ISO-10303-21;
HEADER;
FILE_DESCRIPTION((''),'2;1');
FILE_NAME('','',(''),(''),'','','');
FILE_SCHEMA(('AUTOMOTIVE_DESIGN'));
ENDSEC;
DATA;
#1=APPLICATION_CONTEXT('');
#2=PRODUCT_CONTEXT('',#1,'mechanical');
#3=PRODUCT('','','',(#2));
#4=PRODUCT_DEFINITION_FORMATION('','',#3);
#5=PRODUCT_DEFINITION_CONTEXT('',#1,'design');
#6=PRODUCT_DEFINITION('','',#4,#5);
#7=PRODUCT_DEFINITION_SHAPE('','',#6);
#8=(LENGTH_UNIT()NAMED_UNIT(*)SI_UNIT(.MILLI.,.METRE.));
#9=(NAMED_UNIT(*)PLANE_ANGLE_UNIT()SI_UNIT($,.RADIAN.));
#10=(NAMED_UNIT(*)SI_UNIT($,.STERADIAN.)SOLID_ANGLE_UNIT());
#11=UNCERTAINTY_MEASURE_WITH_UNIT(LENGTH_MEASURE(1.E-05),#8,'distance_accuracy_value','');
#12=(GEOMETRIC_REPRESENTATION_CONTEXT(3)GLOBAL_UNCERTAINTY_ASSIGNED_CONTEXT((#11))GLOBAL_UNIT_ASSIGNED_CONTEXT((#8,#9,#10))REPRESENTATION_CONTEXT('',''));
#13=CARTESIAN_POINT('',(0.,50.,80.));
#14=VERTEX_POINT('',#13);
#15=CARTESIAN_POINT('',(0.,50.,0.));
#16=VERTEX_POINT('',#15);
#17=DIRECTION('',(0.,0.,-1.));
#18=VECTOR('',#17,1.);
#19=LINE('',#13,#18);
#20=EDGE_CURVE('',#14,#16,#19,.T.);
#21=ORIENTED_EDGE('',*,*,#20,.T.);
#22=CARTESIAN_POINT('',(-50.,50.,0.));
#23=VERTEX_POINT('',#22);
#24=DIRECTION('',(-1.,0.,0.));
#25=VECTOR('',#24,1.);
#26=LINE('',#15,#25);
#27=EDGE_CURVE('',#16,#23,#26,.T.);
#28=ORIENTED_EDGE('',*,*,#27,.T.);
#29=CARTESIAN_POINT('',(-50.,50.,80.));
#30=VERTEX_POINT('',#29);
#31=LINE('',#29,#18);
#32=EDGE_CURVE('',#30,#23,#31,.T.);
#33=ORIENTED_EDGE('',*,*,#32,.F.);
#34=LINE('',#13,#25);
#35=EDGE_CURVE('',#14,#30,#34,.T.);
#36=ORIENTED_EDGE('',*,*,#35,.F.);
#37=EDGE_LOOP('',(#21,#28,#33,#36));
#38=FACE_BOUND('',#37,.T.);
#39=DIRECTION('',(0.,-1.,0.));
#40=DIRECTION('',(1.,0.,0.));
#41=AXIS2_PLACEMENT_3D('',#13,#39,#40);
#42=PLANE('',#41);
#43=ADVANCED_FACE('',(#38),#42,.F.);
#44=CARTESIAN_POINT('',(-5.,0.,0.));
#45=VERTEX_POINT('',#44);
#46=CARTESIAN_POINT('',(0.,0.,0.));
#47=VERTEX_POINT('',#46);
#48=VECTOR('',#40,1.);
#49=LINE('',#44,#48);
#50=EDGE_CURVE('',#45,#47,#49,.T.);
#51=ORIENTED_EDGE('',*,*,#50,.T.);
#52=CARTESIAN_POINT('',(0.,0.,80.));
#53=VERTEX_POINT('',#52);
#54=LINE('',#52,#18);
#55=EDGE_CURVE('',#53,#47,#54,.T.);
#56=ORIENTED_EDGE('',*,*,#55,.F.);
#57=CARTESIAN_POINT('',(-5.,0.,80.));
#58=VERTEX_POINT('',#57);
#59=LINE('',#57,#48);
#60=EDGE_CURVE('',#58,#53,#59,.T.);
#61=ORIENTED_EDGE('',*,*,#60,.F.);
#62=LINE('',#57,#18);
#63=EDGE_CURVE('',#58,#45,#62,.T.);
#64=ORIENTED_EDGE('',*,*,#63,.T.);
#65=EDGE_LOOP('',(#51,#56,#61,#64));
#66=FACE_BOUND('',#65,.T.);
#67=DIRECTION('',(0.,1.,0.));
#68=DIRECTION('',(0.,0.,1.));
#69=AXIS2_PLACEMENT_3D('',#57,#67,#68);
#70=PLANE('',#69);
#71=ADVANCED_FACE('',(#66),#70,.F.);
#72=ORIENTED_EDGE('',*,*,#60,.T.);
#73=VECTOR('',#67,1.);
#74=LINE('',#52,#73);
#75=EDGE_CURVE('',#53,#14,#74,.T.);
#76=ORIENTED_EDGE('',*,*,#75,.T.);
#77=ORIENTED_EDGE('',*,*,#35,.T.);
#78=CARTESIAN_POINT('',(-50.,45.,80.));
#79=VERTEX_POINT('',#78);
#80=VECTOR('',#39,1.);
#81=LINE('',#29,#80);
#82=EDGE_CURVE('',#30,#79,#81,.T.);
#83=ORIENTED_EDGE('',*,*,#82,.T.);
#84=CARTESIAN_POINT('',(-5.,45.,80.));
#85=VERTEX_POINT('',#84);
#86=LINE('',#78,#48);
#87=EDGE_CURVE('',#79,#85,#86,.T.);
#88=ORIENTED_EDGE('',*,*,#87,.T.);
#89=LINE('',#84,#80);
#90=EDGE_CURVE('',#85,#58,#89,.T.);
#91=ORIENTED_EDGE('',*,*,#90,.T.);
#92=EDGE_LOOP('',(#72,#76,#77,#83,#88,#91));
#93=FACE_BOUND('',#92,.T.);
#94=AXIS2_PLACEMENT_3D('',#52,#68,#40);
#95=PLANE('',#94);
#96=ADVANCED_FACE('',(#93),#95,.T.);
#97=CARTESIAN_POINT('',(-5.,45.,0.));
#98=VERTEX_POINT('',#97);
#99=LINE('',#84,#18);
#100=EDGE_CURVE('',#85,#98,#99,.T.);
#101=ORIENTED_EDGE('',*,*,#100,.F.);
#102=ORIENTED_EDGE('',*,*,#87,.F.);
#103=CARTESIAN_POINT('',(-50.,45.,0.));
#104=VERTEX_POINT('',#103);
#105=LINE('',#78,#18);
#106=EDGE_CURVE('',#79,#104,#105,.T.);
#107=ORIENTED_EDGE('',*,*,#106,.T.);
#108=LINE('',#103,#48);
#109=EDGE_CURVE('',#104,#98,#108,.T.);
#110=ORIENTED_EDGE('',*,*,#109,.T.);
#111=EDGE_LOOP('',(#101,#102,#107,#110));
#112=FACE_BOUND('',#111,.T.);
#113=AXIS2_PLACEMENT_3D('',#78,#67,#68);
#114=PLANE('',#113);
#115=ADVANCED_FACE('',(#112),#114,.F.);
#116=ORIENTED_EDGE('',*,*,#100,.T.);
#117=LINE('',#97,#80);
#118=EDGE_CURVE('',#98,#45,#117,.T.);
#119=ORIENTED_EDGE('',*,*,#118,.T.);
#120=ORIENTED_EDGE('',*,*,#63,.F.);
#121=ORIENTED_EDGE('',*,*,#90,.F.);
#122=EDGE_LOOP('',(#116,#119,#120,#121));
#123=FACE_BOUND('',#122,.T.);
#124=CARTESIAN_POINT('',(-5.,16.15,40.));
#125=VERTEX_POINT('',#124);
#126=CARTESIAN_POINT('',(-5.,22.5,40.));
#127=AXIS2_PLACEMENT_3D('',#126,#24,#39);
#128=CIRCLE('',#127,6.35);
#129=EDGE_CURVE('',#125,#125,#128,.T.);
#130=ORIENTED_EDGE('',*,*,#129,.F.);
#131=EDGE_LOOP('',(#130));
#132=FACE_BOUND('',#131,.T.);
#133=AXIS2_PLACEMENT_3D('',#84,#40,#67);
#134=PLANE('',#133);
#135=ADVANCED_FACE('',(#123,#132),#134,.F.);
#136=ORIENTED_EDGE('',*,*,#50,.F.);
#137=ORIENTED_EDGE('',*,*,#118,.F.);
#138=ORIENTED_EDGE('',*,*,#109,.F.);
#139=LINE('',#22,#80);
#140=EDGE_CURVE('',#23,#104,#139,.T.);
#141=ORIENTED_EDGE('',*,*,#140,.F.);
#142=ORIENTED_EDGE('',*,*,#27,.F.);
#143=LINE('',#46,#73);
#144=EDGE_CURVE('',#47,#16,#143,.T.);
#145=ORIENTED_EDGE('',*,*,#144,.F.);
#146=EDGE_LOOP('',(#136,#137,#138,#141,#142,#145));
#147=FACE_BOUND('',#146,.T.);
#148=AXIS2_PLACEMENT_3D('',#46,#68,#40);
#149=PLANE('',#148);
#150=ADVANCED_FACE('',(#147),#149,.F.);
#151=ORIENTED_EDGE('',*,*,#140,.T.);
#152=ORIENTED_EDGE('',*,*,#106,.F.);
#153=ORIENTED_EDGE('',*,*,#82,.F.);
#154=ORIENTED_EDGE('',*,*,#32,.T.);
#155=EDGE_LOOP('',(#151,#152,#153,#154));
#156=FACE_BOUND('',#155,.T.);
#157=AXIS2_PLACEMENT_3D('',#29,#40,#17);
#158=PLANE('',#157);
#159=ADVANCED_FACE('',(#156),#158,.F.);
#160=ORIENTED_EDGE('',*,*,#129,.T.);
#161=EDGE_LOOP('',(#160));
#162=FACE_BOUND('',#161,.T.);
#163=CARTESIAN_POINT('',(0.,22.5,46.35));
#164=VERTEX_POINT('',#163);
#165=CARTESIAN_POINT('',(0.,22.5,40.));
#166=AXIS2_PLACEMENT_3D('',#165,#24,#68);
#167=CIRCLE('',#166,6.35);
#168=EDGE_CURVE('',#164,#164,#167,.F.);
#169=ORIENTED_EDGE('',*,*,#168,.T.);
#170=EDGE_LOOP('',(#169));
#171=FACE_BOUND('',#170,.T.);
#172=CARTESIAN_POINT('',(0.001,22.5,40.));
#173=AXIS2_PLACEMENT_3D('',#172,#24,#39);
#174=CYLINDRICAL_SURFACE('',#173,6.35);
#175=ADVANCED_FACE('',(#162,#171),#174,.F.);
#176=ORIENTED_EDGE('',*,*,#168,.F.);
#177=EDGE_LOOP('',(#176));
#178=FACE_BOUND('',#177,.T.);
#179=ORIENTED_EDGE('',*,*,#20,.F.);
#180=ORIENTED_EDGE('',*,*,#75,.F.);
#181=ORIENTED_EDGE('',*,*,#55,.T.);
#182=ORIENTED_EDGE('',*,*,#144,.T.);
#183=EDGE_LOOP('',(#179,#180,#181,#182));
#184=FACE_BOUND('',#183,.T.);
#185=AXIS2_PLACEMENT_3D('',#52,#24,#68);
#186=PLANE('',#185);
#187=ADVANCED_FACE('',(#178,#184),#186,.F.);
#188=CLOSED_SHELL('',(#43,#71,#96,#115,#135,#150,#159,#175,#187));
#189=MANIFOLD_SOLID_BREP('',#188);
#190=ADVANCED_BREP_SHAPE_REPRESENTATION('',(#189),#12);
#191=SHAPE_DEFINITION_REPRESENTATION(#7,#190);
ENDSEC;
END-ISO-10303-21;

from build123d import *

# Parameters (mm, degrees)
SALIENTE_EXTRUIR1_DEPTH = 80
CORTAR_EXTRUIR1_REACH   = 106.523
CROQUIS2_R              = 6.35


with BuildPart() as part:
    # Croquis1 → Saliente-Extruir1 (new body)
    with BuildSketch(Plane.XY):
        Polygon((0, 0), (0, 50), (-50, 50), (-50, 45), (-5, 45), (-5, 0), align=None)
    extrude(amount=SALIENTE_EXTRUIR1_DEPTH)

    # Croquis2 → Cortar-Extruir1 (cut, up to next)
    with BuildSketch(Plane.ZY.offset(5), mode=Mode.PRIVATE) as cortar_extruir1_sk1:
        with Locations(Location((40, 22.5, 0), (0, 0, 270))):
            Circle(CROQUIS2_R)
    cortar_extruir1_tool1 = extrude(cortar_extruir1_sk1.sketch, amount=-CORTAR_EXTRUIR1_REACH, mode=Mode.PRIVATE) & part.part
    add(cortar_extruir1_tool1.solids().sort_by_distance((-5, 22.5, 40))[0], mode=Mode.SUBTRACT)


solid = part.part
